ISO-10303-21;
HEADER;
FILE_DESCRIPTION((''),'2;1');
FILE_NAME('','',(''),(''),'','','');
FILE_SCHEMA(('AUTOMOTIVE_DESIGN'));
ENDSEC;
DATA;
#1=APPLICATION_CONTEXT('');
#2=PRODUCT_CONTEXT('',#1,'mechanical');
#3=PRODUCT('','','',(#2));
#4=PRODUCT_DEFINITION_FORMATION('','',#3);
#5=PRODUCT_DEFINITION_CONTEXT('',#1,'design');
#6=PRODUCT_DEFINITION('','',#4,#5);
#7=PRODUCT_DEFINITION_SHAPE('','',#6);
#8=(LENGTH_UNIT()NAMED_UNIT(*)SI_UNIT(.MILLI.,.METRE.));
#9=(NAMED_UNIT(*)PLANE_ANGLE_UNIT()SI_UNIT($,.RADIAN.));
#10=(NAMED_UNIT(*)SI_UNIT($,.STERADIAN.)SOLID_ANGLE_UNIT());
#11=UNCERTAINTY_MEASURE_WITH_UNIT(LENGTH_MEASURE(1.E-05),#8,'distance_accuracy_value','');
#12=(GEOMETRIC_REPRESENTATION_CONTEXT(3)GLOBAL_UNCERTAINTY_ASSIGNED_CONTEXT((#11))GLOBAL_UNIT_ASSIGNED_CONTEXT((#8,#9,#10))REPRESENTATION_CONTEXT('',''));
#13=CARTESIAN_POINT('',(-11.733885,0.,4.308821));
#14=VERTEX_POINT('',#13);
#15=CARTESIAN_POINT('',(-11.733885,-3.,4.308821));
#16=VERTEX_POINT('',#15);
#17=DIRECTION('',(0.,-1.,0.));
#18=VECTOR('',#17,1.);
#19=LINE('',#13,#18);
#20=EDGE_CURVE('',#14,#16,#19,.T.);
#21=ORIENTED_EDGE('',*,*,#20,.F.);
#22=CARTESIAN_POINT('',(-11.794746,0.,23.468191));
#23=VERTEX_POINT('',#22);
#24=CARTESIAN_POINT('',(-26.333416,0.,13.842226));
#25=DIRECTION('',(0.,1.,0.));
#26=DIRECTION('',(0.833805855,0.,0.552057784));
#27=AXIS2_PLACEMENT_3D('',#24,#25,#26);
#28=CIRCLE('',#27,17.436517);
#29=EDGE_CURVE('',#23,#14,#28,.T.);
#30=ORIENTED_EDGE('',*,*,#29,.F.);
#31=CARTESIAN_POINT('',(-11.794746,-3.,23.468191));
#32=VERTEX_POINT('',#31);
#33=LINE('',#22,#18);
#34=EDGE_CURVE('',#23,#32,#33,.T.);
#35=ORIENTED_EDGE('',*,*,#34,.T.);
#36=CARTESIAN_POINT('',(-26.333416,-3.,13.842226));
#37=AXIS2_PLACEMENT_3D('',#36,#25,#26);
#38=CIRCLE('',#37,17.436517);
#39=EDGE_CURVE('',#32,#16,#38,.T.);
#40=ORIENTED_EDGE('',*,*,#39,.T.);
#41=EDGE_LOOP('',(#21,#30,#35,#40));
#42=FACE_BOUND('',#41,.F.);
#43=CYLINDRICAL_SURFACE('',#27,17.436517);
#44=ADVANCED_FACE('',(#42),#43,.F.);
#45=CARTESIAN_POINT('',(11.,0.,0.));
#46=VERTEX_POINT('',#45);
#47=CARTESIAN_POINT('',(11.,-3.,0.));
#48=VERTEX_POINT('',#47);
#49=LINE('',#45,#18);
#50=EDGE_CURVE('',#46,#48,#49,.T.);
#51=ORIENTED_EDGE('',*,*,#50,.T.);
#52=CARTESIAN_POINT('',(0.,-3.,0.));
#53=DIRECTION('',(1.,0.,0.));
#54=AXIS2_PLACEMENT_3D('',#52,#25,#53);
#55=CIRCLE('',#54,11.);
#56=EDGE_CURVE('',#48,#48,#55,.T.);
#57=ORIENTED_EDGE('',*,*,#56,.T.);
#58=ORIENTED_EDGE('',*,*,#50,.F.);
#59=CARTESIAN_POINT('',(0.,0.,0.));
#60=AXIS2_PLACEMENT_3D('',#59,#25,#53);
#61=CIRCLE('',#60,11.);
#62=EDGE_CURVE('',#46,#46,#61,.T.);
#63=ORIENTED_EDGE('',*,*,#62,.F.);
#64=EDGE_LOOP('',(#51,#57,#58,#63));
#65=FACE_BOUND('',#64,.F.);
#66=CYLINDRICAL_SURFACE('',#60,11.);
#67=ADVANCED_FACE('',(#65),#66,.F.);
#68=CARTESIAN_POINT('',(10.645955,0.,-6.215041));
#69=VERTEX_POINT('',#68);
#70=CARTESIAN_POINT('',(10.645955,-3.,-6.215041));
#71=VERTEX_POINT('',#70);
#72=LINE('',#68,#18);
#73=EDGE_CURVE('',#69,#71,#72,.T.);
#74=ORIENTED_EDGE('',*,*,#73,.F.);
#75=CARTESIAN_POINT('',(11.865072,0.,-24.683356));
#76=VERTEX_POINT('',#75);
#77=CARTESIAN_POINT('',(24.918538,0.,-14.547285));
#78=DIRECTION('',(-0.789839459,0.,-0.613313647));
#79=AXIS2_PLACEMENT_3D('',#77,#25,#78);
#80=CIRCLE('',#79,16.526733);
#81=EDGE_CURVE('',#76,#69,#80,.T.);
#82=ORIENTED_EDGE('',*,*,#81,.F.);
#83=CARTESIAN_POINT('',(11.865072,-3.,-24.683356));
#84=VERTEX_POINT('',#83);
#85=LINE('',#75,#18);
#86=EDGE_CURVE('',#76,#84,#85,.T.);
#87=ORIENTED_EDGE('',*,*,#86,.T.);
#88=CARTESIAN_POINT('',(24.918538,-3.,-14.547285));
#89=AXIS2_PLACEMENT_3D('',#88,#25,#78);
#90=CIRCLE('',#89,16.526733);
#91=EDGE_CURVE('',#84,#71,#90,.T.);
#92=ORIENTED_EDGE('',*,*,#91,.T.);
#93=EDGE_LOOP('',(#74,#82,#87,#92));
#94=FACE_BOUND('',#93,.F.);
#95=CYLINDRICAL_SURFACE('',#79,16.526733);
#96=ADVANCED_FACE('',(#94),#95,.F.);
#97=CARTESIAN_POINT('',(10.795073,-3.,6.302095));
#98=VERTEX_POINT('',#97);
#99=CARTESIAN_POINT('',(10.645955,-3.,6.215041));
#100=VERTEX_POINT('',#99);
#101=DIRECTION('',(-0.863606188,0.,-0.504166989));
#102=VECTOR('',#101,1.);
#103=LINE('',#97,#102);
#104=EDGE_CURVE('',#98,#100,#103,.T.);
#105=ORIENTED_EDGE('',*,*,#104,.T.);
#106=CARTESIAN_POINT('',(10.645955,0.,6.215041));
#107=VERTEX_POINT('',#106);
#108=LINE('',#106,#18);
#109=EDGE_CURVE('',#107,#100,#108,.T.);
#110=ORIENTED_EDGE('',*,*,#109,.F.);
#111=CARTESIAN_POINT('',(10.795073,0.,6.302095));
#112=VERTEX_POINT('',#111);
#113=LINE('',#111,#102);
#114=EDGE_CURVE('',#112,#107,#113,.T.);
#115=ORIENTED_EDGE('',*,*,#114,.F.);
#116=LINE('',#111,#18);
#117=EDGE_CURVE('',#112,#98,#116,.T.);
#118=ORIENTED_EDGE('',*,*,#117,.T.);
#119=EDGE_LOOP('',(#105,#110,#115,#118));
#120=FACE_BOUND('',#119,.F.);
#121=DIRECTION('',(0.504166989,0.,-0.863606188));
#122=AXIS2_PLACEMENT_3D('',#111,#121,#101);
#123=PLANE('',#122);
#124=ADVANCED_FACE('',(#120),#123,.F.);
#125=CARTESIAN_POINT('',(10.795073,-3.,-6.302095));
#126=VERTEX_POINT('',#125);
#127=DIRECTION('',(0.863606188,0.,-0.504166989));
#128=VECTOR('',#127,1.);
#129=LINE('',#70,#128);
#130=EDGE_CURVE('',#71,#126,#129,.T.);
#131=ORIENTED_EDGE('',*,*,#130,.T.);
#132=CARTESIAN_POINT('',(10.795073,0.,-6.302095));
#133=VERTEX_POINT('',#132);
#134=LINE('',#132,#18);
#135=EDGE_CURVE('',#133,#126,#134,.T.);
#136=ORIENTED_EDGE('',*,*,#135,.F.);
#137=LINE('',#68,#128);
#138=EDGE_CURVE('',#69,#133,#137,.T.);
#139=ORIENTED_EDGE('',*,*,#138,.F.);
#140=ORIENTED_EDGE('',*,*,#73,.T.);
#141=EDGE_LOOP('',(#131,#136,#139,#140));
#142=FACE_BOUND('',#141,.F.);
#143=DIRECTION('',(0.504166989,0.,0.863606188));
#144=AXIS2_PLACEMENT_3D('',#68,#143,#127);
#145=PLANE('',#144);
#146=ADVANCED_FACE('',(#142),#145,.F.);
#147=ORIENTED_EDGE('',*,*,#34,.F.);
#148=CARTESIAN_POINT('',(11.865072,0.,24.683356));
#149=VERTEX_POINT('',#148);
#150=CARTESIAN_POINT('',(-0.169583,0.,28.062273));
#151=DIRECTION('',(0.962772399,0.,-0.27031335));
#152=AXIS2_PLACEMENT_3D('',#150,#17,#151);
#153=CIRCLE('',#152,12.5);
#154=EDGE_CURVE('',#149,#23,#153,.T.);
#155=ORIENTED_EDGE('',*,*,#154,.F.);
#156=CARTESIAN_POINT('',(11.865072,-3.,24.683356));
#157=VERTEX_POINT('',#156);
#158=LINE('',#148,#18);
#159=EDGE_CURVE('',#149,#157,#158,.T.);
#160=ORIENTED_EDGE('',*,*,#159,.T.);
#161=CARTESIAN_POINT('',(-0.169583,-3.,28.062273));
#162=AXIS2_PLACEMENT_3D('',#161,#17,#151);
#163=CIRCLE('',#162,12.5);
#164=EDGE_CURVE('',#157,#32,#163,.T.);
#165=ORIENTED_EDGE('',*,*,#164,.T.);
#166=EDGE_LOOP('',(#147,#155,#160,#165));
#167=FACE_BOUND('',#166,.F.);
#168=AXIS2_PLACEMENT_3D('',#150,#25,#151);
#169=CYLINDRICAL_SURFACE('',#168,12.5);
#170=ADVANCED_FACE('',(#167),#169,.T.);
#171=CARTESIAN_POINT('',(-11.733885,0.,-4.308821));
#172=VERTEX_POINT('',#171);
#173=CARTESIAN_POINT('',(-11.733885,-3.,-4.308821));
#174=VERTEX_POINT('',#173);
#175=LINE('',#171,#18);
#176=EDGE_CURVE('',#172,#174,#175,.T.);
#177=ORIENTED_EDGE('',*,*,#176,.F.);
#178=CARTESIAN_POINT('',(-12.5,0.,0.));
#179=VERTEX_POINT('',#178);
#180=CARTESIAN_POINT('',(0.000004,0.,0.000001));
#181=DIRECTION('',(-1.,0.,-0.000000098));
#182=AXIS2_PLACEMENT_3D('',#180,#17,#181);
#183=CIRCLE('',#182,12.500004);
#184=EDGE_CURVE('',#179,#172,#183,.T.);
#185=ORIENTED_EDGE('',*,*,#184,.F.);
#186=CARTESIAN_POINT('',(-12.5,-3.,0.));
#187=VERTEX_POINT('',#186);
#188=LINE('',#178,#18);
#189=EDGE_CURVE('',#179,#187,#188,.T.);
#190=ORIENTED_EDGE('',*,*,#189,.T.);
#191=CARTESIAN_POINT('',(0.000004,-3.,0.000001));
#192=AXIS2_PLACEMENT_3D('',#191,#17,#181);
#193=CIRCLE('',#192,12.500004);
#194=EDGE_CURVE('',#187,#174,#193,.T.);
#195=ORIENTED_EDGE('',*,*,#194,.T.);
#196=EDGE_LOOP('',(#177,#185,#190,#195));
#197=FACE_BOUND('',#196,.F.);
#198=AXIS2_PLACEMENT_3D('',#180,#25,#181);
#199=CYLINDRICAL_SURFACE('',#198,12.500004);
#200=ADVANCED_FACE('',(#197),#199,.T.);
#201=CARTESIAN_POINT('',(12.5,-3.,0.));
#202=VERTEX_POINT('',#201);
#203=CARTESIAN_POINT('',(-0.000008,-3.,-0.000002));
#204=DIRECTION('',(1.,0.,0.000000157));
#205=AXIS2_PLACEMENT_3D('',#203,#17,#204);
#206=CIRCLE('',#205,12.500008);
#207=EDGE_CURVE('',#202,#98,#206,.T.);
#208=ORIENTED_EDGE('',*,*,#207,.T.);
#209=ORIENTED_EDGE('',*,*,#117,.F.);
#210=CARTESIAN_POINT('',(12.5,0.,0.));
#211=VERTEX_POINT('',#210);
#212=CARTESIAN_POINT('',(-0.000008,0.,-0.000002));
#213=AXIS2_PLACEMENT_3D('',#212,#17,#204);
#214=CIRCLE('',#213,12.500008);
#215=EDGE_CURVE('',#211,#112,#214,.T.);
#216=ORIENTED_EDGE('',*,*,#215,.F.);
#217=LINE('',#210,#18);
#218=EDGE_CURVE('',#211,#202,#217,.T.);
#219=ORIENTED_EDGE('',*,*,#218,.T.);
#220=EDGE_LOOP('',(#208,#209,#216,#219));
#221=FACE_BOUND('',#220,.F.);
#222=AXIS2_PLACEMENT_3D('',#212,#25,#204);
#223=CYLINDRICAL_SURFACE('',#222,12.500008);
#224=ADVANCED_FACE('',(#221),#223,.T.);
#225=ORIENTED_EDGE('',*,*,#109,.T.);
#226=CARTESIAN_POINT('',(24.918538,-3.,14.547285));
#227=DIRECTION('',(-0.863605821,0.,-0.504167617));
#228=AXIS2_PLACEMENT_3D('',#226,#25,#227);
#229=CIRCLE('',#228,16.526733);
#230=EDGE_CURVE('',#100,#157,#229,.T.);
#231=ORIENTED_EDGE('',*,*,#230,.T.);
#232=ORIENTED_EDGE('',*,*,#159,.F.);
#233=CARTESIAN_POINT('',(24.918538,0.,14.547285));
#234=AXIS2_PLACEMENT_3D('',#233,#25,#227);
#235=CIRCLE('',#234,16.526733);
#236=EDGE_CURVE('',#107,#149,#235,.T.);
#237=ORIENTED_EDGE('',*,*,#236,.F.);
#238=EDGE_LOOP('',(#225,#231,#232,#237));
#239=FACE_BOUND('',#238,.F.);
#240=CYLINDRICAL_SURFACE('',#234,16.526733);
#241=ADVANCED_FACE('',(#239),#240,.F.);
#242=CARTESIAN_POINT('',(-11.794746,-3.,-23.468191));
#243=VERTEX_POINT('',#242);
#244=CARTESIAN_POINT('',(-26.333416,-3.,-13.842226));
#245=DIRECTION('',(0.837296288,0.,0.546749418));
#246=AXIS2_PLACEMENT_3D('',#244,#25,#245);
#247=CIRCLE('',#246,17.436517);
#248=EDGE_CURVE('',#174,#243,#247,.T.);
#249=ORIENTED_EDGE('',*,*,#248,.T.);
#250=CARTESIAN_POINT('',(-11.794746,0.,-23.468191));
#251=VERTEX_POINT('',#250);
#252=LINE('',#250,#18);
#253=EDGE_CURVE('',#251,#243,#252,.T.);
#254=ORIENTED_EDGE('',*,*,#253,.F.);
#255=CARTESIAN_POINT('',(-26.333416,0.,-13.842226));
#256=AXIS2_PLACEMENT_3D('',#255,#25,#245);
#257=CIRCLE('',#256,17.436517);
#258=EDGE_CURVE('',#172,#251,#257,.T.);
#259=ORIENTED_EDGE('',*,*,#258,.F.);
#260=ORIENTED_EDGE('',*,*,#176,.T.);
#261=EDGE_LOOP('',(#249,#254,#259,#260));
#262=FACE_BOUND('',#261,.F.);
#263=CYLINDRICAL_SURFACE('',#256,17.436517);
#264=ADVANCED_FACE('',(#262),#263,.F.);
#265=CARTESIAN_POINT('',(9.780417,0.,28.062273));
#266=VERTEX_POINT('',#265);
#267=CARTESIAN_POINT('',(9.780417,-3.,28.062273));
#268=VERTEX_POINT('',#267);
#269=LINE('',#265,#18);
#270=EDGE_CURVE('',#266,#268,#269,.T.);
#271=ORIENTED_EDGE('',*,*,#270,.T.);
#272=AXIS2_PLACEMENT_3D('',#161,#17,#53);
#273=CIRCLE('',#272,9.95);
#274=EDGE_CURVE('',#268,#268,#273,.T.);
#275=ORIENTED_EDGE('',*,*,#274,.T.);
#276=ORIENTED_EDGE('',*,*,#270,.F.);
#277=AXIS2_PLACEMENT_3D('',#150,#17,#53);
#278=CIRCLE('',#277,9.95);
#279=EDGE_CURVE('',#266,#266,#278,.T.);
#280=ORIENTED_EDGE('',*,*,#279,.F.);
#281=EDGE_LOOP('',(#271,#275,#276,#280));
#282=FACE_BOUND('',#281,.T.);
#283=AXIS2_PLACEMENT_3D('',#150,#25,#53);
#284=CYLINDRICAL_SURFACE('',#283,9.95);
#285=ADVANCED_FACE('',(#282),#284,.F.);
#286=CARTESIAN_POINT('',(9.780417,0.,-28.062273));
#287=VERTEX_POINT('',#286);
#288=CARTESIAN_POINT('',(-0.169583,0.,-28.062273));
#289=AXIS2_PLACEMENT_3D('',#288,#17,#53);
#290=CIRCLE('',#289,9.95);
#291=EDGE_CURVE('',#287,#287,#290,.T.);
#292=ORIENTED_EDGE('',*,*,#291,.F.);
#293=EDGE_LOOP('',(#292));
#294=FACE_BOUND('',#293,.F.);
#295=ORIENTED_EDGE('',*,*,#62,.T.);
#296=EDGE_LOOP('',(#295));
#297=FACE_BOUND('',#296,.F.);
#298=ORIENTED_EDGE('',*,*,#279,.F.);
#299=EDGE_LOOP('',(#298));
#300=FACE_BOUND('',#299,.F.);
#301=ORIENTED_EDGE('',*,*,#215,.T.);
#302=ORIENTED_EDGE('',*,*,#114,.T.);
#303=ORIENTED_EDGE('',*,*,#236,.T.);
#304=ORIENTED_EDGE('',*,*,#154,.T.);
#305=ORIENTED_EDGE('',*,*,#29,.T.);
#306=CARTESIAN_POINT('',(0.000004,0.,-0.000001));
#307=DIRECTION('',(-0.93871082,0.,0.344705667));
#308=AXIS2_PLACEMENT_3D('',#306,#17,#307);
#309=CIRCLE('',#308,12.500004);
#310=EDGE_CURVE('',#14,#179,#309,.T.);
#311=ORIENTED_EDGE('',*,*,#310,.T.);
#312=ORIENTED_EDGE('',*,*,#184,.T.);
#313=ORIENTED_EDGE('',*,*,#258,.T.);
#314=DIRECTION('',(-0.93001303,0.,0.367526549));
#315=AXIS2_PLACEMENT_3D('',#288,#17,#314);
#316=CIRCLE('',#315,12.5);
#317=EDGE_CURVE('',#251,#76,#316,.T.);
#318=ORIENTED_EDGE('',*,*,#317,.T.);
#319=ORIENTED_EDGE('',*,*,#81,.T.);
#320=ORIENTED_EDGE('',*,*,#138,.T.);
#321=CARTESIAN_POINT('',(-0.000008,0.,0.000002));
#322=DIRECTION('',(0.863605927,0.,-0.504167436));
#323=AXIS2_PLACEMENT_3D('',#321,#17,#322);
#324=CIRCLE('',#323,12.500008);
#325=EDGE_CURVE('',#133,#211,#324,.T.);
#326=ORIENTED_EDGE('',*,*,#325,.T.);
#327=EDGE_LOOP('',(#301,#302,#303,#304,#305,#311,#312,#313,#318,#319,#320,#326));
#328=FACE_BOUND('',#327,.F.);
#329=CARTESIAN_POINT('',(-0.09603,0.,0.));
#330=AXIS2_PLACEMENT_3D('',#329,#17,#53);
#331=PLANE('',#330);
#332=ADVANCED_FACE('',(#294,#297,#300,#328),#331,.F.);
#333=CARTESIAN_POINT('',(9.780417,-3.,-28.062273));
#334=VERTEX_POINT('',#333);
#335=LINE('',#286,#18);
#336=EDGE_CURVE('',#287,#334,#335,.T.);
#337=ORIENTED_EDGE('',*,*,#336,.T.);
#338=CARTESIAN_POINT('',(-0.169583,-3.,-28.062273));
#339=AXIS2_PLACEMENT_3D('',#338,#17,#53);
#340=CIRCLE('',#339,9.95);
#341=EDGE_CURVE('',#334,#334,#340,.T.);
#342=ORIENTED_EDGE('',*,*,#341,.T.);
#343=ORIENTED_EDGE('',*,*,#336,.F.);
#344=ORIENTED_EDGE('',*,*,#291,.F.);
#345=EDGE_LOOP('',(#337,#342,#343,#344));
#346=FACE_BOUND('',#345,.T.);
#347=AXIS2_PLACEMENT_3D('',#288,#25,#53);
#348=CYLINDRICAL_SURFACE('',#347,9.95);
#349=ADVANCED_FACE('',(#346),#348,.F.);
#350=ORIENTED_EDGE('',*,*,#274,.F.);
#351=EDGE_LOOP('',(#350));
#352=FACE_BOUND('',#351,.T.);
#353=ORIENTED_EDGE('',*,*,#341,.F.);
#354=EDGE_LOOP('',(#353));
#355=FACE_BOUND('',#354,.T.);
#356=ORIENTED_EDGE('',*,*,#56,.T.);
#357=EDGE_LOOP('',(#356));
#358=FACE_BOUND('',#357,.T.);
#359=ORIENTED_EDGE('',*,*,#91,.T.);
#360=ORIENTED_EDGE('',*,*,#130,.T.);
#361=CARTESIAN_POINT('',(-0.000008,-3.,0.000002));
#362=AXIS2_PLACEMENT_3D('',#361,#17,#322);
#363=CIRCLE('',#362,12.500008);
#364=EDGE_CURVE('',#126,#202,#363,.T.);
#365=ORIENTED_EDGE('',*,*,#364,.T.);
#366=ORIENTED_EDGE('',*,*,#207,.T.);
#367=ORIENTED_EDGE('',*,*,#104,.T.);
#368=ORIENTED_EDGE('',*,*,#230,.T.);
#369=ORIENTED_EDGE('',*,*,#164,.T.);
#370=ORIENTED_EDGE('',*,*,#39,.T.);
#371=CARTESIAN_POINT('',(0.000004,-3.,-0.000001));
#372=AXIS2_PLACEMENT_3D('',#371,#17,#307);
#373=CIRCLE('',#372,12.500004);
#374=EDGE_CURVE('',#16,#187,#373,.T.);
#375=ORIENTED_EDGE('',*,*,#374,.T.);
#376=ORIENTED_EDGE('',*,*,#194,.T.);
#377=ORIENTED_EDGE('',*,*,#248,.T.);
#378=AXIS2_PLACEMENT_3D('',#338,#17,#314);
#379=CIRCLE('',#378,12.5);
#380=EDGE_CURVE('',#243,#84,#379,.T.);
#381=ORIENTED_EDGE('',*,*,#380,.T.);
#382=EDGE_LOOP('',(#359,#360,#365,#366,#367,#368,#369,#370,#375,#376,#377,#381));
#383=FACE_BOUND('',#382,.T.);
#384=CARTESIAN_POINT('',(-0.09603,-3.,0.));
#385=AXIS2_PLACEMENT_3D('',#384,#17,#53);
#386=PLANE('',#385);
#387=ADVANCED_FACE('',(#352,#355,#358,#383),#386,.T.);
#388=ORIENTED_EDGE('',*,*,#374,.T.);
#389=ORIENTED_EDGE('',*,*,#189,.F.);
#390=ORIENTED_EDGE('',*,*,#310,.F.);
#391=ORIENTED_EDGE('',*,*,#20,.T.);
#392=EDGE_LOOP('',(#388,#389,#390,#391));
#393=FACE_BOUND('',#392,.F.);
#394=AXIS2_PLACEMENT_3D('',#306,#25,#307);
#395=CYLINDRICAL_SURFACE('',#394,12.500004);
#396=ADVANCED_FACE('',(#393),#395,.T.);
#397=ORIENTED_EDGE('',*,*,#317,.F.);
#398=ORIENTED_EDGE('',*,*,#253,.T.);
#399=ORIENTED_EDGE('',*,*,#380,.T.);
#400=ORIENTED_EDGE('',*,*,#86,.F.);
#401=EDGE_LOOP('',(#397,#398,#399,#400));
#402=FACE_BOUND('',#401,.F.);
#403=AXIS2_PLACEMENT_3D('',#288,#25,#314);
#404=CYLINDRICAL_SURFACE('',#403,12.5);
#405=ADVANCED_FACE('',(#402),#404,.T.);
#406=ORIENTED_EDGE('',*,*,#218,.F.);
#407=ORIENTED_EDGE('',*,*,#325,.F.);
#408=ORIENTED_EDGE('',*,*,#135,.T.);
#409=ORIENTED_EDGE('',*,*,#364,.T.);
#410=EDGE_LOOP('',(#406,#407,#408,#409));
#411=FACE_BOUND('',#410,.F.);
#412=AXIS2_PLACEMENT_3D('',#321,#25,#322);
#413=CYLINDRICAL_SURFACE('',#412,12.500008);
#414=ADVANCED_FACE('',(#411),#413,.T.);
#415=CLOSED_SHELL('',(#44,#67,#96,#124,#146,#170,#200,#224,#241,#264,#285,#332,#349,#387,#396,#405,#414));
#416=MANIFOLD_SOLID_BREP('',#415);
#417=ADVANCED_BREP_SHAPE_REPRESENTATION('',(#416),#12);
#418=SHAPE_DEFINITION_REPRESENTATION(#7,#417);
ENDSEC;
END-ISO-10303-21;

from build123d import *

# Parameters (mm, degrees)
F0_R     = 9.95
F1_DEPTH = 3


with BuildPart() as f1:
    # F0 (on Front) → F1 (new body)
    with BuildSketch(Plane.XZ):
        with BuildLine():
            ThreePointArc((10.645955, 6.215041), (8.427695, 15.635866), (11.865072, 24.683356))
            ThreePointArc((11.865072, 24.683356), (-0.810737, 40.545819), (-11.794746, 23.468191))
            ThreePointArc((-11.794746, 23.468191), (-8.896987, 13.897614), (-11.733885, 4.308821))
            ThreePointArc((-11.733885, 4.308821), (-12.306981, 2.188199), (-12.5, 0))
            ThreePointArc((-12.5, 0), (-12.306981, -2.188199), (-11.733885, -4.308821))
            ThreePointArc((-11.733885, -4.308821), (-8.896987, -13.897614), (-11.794746, -23.468191))
            ThreePointArc((-11.794746, -23.468191), (-0.810737, -40.545819), (11.865072, -24.683356))
            ThreePointArc((11.865072, -24.683356), (8.427695, -15.635866), (10.645955, -6.215041))
            Line((10.645955, -6.215041), (10.795073, -6.302095))
            ThreePointArc((10.795073, -6.302095), (12.066242, -3.264322), (12.5, 0))
            ThreePointArc((12.5, 0), (12.066242, 3.264322), (10.795073, 6.302095))
            Line((10.795073, 6.302095), (10.645955, 6.215041))
        make_face()
        with Locations((-0.169583, -28.062273)):
            Circle(F0_R, mode=Mode.SUBTRACT)
        with Locations((-0.169583, 28.062273)):
            Circle(F0_R, mode=Mode.SUBTRACT)
        with BuildLine():
            ThreePointArc((-11, 0), (0, 11), (11, 0))
            ThreePointArc((11, 0), (0, -11), (-11, 0))
        make_face(mode=Mode.SUBTRACT)
    extrude(amount=F1_DEPTH)


solid = f1.part
